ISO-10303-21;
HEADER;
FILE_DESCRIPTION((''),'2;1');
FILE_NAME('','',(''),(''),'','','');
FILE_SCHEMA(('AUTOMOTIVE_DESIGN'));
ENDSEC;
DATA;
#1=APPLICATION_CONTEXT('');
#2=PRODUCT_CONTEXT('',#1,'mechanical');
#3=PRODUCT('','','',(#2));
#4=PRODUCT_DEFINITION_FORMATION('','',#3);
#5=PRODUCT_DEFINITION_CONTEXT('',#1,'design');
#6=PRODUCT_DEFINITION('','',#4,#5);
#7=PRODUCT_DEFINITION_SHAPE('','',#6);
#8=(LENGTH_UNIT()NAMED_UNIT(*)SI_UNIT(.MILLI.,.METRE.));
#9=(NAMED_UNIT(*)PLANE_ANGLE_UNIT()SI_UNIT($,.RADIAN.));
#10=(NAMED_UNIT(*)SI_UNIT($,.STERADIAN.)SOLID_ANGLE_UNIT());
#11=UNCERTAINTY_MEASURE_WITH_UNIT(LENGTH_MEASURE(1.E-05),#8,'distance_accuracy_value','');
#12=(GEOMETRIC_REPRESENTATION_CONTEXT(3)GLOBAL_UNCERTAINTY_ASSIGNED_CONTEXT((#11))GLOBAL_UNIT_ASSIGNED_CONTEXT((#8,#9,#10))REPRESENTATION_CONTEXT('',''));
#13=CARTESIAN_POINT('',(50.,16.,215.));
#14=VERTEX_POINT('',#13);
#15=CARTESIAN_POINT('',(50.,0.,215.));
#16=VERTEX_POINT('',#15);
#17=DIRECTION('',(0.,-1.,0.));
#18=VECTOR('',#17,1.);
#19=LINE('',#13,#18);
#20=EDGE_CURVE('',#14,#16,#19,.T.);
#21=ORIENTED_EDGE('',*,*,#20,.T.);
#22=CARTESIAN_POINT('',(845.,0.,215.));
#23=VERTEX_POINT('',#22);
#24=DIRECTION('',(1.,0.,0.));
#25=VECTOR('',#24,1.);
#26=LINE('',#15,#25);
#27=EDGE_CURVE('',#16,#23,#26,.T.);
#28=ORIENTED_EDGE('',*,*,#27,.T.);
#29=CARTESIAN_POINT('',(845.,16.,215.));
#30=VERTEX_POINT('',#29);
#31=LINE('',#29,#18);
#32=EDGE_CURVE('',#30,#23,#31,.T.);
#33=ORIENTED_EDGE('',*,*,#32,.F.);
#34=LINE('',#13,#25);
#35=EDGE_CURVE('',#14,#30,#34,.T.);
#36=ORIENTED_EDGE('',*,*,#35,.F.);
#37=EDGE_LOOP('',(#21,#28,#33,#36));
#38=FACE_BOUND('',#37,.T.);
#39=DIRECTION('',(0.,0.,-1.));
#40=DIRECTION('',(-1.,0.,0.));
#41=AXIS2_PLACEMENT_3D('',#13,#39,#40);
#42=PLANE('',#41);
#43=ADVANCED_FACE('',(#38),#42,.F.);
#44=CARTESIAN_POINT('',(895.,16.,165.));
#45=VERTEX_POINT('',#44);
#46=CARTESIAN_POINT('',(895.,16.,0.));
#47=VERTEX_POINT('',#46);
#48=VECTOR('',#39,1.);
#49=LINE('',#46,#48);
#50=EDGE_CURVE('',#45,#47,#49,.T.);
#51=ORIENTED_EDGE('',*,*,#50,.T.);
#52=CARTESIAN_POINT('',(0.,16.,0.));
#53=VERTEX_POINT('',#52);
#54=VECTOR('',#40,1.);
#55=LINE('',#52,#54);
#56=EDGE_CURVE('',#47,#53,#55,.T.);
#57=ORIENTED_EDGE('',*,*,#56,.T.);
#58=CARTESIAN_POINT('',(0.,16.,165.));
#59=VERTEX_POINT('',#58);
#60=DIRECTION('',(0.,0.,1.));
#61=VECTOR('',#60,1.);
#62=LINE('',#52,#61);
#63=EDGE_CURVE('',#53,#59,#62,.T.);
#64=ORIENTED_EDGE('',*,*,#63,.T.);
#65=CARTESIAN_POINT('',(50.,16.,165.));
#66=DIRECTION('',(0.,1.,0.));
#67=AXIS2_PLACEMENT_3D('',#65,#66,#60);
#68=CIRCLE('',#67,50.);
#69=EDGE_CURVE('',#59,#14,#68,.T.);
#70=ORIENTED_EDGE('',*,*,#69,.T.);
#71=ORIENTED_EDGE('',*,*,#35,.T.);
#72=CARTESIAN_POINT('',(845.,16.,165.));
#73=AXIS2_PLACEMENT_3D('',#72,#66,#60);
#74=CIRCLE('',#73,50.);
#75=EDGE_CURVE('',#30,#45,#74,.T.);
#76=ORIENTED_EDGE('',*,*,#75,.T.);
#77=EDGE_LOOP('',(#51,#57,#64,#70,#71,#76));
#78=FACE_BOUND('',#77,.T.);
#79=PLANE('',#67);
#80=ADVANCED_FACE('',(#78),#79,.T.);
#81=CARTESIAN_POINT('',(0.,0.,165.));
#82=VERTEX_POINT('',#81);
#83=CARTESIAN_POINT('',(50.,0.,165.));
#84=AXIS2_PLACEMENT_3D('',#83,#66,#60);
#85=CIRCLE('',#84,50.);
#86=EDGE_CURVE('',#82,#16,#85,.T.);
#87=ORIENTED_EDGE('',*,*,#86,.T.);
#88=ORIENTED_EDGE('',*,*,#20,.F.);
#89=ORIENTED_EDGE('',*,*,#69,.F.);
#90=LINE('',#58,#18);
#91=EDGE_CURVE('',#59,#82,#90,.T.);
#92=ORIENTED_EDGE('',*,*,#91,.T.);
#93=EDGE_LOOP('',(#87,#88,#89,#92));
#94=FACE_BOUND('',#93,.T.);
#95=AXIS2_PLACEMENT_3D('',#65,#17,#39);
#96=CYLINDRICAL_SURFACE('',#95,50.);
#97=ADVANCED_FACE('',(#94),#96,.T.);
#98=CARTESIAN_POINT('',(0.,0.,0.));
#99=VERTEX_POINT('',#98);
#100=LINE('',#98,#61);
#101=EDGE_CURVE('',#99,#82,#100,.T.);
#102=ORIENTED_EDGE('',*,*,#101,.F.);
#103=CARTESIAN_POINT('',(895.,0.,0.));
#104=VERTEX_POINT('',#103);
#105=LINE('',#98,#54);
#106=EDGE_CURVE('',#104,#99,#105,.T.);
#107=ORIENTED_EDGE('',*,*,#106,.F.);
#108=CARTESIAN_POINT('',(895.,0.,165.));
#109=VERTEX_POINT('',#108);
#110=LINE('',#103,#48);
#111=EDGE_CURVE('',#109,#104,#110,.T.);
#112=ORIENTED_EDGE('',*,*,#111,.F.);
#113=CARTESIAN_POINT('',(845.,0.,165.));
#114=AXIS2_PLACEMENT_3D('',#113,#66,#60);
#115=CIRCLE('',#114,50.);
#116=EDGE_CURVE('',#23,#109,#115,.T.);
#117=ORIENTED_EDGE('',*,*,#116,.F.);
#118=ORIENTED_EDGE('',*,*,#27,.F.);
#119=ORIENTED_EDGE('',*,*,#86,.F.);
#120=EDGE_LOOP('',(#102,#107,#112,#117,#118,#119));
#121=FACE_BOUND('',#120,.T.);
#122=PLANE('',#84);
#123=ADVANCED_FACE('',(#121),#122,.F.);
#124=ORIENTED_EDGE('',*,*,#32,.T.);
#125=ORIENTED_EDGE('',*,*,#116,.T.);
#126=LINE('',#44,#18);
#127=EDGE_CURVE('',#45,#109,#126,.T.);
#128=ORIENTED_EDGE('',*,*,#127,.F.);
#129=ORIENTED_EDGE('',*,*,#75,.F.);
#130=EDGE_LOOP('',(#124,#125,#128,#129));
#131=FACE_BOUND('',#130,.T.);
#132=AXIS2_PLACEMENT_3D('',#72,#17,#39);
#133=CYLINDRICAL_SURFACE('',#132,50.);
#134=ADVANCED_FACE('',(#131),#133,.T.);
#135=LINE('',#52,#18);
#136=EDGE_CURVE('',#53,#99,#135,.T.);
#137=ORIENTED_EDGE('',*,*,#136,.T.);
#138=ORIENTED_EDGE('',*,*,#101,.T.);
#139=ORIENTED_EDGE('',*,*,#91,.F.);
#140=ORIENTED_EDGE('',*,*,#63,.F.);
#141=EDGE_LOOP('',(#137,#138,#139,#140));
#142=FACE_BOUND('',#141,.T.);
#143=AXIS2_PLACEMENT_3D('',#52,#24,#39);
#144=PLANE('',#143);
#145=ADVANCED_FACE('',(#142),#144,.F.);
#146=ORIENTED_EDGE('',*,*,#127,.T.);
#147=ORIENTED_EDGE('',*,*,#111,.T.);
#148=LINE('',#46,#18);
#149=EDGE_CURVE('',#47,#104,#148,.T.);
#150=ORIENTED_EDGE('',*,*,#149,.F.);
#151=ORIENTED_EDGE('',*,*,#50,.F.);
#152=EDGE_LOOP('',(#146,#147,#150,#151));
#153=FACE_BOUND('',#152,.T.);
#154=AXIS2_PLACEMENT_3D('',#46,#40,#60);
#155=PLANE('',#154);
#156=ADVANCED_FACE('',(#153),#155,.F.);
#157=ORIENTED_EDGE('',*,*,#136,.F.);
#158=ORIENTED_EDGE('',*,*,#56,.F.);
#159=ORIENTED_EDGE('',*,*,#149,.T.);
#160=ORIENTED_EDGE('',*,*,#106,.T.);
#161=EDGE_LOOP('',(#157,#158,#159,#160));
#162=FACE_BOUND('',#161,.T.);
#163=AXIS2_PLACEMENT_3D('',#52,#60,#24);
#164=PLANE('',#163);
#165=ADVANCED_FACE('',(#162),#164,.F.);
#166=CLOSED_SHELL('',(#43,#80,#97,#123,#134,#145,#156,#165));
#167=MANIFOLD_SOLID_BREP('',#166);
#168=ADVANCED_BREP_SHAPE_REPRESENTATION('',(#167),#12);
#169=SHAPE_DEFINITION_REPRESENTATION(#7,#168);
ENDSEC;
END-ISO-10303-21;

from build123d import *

# Parameters (mm, degrees)
EXTRUDE_1_DEPTH = 16


with BuildPart() as part:
    # Эскиз1 → Бобышка-Вытянуть1 (new body)
    with BuildSketch(Plane(origin=(0, 0, 0), x_dir=(1, 0, 0), z_dir=(0, 1, 0))):
        with BuildLine():
            Line((0, 0), (895, 0))
            Line((895, 0), (895, -165))
            ThreePointArc((895, -165), (880.355339059, -200.355339059), (845, -215))
            Line((845, -215), (50, -215))
            ThreePointArc((50, -215), (14.644660941, -200.355339059), (0, -165))
            Line((0, -165), (0, 0))
        make_face()
    extrude(amount=EXTRUDE_1_DEPTH)


solid = part.part
